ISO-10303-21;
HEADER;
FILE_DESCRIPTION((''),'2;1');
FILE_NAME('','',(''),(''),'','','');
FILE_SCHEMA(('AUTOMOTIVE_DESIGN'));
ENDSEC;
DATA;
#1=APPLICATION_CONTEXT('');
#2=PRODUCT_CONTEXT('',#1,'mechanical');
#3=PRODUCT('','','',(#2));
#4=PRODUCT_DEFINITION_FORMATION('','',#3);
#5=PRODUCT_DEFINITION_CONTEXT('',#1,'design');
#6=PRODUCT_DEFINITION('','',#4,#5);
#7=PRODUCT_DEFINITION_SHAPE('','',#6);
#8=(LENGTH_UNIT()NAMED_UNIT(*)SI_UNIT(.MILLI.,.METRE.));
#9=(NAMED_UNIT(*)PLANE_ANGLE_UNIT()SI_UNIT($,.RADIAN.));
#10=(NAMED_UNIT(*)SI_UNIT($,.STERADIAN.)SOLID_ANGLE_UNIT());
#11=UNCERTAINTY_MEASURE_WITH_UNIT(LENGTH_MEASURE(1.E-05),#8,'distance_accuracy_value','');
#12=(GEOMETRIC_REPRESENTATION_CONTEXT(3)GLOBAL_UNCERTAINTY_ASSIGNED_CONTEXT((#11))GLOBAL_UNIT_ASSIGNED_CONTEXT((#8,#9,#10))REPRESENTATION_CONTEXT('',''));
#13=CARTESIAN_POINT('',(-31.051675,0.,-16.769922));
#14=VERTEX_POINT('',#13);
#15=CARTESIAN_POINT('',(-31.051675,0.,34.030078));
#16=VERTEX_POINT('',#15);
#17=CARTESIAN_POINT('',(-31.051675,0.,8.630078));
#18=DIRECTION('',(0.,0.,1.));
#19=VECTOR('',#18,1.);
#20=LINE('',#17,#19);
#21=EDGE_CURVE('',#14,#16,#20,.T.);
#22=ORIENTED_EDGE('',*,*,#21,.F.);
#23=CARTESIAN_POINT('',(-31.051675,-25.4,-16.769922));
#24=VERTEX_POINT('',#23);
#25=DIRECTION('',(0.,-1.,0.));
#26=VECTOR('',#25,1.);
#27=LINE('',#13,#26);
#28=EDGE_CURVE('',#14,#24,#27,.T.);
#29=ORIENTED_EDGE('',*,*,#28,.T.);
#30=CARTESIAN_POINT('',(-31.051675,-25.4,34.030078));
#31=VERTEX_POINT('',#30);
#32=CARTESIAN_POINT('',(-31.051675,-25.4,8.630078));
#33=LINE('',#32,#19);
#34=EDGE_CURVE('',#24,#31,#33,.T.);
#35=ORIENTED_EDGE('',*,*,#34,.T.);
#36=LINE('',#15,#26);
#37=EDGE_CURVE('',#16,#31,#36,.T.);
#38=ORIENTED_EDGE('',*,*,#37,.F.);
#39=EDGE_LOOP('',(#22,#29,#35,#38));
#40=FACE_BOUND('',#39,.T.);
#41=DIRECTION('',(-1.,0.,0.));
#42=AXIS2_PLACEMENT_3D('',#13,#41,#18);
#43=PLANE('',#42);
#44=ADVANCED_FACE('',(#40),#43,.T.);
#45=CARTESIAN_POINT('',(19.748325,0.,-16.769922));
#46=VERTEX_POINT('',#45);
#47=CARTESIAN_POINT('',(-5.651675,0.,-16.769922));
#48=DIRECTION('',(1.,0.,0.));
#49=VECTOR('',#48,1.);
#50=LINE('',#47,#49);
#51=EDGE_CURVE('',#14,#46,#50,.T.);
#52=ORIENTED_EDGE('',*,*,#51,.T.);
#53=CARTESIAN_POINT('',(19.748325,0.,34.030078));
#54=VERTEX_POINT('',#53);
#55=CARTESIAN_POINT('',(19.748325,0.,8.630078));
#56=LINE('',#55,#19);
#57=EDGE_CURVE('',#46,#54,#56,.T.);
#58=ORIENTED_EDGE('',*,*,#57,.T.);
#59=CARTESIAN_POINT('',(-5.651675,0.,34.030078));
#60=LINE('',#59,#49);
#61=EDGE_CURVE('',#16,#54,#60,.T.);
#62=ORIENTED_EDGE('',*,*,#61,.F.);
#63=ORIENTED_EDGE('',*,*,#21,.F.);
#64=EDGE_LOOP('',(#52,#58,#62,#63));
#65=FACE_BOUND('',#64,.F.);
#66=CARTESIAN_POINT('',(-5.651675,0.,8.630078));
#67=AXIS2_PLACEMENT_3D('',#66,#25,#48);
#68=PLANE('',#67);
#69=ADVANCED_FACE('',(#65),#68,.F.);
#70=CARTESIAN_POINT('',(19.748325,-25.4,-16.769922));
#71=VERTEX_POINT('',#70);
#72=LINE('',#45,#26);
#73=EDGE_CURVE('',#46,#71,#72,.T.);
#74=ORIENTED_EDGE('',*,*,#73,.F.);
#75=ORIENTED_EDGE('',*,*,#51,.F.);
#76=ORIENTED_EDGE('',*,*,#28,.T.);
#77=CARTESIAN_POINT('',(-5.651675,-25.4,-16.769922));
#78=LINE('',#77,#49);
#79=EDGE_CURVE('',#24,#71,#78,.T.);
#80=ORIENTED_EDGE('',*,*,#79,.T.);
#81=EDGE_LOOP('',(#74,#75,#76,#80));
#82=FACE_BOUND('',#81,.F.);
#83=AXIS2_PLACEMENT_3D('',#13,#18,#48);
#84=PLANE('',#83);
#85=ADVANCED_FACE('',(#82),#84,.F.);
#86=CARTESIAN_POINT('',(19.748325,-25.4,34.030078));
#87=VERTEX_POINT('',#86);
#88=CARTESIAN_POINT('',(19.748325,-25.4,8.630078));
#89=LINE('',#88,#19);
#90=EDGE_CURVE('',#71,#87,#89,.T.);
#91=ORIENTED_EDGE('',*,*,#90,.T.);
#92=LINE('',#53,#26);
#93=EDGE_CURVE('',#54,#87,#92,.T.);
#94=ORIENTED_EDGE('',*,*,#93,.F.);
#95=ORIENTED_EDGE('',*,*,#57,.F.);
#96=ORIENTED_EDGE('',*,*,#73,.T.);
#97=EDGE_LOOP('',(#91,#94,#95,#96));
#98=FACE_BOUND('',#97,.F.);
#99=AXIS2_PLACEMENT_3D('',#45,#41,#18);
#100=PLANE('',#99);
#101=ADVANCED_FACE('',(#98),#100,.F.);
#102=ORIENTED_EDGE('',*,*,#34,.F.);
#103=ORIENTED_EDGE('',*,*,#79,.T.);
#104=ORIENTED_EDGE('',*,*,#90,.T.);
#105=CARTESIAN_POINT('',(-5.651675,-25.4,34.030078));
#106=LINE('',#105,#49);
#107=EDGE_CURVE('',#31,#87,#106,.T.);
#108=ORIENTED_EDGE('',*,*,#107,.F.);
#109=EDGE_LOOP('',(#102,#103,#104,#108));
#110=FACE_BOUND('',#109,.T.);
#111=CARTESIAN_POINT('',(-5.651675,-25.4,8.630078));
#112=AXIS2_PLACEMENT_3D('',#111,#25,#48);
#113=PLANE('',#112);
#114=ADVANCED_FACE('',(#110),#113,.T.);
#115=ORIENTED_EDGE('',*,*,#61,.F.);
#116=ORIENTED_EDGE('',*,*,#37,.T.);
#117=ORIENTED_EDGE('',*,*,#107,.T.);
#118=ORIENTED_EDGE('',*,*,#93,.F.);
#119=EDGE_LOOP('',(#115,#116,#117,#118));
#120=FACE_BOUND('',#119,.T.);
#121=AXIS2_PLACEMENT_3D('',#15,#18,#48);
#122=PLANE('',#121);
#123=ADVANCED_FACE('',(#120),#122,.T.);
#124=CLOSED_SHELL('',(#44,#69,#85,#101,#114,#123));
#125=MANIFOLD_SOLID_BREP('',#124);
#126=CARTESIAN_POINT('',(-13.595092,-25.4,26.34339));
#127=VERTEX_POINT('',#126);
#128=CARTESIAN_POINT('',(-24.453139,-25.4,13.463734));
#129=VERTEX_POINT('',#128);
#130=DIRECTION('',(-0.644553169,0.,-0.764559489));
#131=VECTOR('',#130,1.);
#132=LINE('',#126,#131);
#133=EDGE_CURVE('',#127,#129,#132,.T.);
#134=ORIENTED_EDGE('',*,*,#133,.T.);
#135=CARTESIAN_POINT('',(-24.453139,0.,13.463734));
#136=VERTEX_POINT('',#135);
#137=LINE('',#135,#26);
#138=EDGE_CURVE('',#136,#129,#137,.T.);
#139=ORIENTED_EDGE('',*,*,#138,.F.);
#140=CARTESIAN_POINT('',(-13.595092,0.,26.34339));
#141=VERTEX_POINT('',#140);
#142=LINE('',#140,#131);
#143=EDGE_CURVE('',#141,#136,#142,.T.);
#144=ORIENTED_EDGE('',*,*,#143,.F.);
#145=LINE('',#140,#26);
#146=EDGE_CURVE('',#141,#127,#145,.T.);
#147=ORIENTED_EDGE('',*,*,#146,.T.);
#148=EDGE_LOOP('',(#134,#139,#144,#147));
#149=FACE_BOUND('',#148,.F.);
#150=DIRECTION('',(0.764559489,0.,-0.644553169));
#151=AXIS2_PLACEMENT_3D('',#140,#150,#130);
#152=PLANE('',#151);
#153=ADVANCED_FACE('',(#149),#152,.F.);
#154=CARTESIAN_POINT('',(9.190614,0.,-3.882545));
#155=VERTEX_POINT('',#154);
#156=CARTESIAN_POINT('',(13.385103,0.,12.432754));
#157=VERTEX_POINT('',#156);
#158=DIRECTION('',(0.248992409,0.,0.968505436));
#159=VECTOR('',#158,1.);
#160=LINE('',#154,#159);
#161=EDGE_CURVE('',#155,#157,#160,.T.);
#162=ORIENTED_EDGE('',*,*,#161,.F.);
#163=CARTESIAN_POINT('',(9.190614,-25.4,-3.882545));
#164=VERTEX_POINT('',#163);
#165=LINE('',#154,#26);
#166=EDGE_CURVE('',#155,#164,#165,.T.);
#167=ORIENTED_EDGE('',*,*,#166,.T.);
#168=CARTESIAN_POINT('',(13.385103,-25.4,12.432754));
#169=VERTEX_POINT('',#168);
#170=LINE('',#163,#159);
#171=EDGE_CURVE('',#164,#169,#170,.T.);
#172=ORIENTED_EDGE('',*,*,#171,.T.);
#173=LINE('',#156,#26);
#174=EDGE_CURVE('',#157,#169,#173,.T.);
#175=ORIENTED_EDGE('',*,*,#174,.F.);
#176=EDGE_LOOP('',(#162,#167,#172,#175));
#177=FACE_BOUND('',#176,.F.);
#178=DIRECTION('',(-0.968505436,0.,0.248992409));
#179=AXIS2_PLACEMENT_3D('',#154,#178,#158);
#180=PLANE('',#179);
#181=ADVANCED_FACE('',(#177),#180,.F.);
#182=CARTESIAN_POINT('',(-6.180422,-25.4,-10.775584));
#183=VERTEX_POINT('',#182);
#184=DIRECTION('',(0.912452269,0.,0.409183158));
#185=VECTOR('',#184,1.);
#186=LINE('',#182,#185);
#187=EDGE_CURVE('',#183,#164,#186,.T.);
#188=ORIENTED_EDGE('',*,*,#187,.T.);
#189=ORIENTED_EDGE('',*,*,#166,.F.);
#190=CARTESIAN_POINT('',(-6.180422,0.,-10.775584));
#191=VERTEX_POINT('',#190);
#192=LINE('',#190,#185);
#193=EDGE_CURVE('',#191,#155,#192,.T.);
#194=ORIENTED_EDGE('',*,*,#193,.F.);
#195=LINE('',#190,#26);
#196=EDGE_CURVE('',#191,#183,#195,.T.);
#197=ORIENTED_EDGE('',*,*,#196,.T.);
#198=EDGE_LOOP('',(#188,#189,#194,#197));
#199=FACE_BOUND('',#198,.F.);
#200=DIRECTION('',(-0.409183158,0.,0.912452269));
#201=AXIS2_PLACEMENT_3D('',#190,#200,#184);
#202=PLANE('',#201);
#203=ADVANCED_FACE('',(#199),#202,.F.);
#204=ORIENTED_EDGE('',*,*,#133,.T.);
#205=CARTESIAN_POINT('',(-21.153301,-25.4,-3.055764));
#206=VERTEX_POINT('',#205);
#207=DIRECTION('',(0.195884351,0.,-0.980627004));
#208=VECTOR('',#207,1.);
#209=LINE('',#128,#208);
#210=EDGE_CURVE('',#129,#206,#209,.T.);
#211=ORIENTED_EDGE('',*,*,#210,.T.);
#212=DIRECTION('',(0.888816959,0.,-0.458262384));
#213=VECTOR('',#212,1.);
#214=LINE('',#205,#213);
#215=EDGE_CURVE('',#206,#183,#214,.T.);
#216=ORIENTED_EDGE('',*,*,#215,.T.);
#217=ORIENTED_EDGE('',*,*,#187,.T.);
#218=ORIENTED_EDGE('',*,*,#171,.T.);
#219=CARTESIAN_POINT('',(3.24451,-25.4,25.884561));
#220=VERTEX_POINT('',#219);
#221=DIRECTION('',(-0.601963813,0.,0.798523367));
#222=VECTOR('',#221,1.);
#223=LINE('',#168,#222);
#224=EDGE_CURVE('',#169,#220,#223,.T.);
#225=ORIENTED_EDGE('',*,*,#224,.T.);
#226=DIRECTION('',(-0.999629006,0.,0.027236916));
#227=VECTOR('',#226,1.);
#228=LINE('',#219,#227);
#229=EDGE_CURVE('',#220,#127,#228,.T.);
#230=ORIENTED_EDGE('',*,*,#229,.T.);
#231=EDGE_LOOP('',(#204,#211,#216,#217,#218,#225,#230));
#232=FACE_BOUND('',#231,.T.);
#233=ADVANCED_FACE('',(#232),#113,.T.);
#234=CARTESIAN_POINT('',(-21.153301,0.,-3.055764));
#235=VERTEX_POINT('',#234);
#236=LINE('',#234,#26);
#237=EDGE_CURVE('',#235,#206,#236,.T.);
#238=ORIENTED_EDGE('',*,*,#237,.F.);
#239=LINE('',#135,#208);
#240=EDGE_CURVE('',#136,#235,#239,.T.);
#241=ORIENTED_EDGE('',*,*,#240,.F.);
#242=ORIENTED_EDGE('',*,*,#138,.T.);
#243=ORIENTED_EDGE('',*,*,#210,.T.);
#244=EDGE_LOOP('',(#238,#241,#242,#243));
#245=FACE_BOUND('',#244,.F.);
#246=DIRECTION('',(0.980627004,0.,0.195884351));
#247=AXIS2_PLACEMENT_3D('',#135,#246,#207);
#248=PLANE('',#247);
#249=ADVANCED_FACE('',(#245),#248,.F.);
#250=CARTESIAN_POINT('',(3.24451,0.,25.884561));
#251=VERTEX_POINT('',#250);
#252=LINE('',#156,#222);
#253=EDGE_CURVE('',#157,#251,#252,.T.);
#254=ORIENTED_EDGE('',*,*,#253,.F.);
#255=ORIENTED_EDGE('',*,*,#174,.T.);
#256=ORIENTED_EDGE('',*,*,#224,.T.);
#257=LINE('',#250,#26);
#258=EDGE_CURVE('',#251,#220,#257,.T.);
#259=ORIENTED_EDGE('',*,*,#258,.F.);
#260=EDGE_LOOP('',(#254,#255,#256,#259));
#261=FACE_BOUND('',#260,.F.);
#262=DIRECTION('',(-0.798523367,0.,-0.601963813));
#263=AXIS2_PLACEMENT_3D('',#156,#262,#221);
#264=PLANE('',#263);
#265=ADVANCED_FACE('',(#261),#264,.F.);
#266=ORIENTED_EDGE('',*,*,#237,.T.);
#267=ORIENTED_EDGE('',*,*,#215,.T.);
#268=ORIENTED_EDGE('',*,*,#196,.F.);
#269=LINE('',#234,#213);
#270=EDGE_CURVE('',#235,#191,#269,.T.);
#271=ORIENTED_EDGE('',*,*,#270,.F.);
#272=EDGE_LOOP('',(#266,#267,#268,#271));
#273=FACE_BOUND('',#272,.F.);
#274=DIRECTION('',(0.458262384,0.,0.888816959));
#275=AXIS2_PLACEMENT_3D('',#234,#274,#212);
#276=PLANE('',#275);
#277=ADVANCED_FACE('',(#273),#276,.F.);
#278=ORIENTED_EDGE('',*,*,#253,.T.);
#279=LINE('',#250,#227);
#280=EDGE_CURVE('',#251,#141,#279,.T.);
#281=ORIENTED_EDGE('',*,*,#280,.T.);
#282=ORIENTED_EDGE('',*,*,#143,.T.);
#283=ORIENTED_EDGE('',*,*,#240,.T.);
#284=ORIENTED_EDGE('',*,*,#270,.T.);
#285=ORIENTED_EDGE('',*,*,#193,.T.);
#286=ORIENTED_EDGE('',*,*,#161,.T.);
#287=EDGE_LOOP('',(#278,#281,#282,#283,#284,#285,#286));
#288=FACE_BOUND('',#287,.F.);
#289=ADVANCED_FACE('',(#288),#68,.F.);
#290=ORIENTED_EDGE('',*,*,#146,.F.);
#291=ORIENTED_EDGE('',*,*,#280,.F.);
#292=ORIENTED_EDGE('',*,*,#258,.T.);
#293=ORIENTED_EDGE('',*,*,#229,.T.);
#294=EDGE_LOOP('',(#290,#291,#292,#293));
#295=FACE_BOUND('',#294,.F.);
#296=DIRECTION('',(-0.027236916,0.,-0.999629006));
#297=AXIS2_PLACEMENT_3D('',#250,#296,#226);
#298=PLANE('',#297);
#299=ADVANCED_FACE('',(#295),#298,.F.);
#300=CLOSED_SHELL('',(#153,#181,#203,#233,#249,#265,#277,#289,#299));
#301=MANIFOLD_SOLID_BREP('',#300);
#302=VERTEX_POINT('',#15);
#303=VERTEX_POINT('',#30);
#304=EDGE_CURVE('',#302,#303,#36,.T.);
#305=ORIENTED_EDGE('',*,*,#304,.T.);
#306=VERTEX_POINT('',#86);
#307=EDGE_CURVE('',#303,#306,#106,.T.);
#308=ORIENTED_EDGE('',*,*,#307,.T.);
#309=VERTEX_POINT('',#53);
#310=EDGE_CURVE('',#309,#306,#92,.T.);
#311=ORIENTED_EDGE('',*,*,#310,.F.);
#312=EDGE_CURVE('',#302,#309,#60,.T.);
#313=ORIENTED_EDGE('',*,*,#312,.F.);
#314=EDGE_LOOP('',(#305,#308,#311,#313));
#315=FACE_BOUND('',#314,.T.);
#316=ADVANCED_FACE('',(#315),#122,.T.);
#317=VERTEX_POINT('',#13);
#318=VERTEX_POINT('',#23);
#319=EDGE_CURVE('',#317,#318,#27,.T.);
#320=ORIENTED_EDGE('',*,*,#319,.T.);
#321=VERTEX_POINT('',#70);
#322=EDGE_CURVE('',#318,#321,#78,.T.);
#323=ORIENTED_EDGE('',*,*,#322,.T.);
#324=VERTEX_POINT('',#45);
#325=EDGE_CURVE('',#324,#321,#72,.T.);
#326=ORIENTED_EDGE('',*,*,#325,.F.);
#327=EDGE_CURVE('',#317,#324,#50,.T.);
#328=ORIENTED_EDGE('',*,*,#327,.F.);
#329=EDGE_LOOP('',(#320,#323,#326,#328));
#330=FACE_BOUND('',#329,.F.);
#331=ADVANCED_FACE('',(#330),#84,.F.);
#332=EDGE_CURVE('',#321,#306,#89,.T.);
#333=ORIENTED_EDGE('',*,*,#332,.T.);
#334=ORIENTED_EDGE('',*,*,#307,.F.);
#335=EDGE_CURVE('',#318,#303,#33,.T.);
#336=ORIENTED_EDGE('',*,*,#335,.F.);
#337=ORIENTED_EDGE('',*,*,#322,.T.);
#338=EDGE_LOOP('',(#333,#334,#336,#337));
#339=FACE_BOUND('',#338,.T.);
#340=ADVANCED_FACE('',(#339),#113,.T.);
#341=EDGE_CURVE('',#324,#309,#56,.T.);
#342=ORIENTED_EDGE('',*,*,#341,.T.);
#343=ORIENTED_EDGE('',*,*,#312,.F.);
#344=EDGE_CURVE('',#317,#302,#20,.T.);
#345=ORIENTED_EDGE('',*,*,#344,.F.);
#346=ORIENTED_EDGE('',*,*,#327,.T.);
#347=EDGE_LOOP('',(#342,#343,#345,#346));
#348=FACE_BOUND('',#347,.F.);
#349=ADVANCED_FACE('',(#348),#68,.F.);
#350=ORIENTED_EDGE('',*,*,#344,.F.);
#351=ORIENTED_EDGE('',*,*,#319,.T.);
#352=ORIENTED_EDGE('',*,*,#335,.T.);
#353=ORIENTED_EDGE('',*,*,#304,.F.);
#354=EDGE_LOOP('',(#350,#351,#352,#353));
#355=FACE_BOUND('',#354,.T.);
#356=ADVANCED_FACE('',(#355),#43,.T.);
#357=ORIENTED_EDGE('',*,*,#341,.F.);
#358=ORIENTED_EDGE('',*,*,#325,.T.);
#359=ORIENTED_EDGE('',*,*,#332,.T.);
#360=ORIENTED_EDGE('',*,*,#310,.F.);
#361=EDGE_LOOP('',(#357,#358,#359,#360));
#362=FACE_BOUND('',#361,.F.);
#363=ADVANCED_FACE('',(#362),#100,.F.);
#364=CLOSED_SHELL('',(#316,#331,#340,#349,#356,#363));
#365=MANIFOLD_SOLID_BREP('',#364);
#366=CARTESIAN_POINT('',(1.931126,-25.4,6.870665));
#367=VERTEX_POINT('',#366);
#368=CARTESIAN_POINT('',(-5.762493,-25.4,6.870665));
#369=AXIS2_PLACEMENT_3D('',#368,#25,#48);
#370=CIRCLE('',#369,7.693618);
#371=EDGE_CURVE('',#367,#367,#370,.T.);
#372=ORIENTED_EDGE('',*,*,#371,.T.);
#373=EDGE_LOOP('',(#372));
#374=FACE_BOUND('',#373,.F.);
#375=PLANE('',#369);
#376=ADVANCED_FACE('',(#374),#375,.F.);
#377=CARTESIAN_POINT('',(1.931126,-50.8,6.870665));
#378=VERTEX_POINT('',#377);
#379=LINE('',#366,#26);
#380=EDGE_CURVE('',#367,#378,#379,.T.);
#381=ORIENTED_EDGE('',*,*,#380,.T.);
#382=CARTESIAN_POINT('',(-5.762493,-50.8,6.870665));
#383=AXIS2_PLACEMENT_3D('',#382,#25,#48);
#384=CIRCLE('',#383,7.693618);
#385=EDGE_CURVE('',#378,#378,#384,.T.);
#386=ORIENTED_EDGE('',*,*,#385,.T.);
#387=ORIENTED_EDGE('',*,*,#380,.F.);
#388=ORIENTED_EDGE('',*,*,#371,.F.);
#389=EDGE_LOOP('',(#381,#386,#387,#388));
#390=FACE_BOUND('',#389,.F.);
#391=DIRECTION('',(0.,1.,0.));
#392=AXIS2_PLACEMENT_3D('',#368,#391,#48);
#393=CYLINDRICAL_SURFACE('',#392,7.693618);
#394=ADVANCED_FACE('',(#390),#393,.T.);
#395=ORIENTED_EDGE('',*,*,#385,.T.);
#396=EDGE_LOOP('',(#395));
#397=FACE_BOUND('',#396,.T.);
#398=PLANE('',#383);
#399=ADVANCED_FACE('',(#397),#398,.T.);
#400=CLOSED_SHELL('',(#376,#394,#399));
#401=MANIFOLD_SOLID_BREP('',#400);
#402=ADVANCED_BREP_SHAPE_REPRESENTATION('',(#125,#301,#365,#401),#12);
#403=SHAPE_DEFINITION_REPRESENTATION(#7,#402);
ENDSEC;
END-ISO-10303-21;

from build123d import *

# Parameters (mm, degrees)
F1_W     = 50.8
F1_H     = 50.8
F2_DEPTH = 25.4
F0_W     = 50.8
F0_H     = 50.8
F3_DEPTH = 25.4
F4_R     = 7.6936182882
F5_DEPTH = 25.4


with BuildPart() as f2:
    # F1 (on face) → F2 (new body)
    with BuildSketch(Plane.XZ):
        with Locations((-5.6516751647, 8.6300779854)):
            Rectangle(F1_W, F1_H)
        Polygon((-13.5950920682, 26.3433895766), (3.2445100648, 25.8845605331), (13.3851032709, 12.4327542039), (9.1906140355, -3.8825448783), (-6.1804216952, -10.7755837332), (-21.153300504, -3.0557635107), (-24.4531392567, 13.4637337061), align=None, mode=Mode.SUBTRACT)
        Polygon((13.3851032709, 12.4327542039), (3.2445100648, 25.8845605331), (-13.5950920682, 26.3433895766), (-24.4531392567, 13.4637337061), (-21.153300504, -3.0557635107), (-6.1804216952, -10.7755837332), (9.1906140355, -3.8825448783), align=None)
    extrude(amount=F2_DEPTH)


with BuildPart() as f2b:
    # F0 (on Front) → F2, piece 2 (new body)
    with BuildSketch(Plane.XZ):
        with Locations((-5.6516751647, 8.6300779854)):
            Rectangle(F0_W, F0_H)
    extrude(amount=F2_DEPTH)


with BuildPart() as f3:
    # F1 (on face) → F3 (new body)
    with BuildSketch(Plane.XZ):
        Polygon((13.3851032709, 12.4327542039), (3.2445100648, 25.8845605331), (-13.5950920682, 26.3433895766), (-24.4531392567, 13.4637337061), (-21.153300504, -3.0557635107), (-6.1804216952, -10.7755837332), (9.1906140355, -3.8825448783), align=None)
    extrude(amount=F3_DEPTH)


with BuildPart() as f5:
    # F4 (on face) → F5 (new body)
    with BuildSketch(Plane.XZ.offset(25.4)):
        with Locations((-5.7624927722, 6.8706646562)):
            Circle(F4_R)
    extrude(amount=F5_DEPTH)


solid = Compound([f2.part, f2b.part, f3.part, f5.part])
